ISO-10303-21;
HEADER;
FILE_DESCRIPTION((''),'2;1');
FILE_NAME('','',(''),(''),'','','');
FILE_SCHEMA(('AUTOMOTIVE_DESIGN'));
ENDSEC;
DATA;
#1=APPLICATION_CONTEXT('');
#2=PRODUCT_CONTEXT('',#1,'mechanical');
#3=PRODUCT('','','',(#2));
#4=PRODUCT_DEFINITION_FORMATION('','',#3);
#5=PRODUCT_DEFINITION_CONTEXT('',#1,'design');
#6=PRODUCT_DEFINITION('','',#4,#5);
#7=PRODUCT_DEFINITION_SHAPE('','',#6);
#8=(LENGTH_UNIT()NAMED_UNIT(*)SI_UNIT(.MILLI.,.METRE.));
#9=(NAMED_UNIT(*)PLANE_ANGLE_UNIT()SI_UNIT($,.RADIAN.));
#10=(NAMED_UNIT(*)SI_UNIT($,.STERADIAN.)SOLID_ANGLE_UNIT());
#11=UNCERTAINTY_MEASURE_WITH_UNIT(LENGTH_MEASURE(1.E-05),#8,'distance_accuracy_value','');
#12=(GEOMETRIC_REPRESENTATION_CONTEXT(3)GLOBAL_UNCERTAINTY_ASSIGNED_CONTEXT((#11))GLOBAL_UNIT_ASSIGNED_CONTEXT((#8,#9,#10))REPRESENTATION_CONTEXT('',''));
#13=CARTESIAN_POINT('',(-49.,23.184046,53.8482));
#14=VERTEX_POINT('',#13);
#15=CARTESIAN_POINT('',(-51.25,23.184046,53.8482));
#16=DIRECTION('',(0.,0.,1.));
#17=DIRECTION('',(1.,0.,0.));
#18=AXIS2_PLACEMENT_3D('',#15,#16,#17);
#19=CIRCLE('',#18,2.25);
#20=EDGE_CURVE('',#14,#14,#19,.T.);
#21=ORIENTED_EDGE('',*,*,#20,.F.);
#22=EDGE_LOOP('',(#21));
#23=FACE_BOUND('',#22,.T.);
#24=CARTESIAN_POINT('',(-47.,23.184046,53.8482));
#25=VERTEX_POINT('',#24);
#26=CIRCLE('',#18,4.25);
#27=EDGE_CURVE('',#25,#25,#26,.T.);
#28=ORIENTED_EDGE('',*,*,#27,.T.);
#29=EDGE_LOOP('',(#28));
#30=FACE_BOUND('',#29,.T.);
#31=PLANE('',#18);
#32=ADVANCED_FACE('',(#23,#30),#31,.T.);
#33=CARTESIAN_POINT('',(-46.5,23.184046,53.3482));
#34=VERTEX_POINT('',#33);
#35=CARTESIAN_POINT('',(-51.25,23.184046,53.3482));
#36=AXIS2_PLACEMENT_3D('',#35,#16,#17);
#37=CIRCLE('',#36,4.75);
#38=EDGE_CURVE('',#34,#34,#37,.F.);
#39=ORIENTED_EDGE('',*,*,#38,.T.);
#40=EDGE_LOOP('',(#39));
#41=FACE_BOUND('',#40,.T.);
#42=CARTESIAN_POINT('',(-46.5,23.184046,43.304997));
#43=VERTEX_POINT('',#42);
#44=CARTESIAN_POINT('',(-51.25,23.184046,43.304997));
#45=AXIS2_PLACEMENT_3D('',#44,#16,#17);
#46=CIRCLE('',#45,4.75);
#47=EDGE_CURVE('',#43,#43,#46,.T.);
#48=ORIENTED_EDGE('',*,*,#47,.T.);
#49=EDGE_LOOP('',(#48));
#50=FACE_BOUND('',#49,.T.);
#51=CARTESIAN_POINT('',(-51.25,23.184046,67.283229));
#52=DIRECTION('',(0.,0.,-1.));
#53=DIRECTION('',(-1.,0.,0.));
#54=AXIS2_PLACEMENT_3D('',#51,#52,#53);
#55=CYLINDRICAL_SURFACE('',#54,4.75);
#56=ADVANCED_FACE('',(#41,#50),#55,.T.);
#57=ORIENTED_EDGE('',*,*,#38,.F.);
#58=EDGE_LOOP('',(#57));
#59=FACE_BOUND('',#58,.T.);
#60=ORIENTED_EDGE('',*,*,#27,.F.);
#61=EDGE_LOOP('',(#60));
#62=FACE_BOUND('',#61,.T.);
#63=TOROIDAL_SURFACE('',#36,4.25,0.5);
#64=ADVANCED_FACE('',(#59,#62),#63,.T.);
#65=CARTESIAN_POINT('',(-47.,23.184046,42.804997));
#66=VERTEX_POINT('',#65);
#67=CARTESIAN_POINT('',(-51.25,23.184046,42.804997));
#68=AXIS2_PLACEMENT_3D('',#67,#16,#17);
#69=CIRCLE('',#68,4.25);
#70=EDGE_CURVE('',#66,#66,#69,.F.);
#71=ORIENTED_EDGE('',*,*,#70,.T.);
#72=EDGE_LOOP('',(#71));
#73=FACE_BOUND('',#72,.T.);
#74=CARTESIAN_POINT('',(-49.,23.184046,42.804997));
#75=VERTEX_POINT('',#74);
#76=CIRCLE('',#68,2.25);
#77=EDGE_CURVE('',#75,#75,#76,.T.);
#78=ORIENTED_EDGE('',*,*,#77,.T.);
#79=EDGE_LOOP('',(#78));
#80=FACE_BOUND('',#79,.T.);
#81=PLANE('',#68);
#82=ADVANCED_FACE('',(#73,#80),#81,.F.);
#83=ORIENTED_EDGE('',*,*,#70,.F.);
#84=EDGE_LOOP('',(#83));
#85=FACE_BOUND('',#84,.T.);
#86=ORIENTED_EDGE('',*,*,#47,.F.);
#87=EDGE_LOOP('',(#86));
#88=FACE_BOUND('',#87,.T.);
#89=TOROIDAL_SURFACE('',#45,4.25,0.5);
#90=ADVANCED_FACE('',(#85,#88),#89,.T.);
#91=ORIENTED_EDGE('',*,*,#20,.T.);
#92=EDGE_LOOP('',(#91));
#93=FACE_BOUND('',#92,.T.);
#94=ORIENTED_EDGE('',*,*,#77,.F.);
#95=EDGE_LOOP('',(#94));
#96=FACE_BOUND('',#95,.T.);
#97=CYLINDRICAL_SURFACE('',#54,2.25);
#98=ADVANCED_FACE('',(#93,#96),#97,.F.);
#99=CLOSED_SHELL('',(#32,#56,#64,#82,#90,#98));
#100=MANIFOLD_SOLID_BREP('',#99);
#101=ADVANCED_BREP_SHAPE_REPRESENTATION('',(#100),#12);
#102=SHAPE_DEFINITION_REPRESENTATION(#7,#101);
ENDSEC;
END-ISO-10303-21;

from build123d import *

# Parameters (mm, degrees)
SKETCH2_R           = 4.75
SKETCH2_R_2         = 2.25
BOSS_EXTRUDE1_DEPTH = 11.043203171
FILLET1_R           = 0.5


with BuildPart() as part:
    # Sketch2 → Boss-Extrude1 (new body)
    with BuildSketch(Plane.XY.offset(42.804996829)):
        with Locations((-51.25, 23.184046239)):
            Circle(SKETCH2_R)
        with Locations((-51.25, 23.184046239)):
            Circle(SKETCH2_R_2, mode=Mode.SUBTRACT)
    extrude(amount=BOSS_EXTRUDE1_DEPTH)

    # Fillet1
    fillet1_edges = [part.edges().sort_by_distance(p)[0] for p in [
        (-56, 23.184046239, 53.8482),
        (-56, 23.184046239, 42.804996829),
    ]]
    fillet(fillet1_edges, radius=FILLET1_R)


solid = part.part
